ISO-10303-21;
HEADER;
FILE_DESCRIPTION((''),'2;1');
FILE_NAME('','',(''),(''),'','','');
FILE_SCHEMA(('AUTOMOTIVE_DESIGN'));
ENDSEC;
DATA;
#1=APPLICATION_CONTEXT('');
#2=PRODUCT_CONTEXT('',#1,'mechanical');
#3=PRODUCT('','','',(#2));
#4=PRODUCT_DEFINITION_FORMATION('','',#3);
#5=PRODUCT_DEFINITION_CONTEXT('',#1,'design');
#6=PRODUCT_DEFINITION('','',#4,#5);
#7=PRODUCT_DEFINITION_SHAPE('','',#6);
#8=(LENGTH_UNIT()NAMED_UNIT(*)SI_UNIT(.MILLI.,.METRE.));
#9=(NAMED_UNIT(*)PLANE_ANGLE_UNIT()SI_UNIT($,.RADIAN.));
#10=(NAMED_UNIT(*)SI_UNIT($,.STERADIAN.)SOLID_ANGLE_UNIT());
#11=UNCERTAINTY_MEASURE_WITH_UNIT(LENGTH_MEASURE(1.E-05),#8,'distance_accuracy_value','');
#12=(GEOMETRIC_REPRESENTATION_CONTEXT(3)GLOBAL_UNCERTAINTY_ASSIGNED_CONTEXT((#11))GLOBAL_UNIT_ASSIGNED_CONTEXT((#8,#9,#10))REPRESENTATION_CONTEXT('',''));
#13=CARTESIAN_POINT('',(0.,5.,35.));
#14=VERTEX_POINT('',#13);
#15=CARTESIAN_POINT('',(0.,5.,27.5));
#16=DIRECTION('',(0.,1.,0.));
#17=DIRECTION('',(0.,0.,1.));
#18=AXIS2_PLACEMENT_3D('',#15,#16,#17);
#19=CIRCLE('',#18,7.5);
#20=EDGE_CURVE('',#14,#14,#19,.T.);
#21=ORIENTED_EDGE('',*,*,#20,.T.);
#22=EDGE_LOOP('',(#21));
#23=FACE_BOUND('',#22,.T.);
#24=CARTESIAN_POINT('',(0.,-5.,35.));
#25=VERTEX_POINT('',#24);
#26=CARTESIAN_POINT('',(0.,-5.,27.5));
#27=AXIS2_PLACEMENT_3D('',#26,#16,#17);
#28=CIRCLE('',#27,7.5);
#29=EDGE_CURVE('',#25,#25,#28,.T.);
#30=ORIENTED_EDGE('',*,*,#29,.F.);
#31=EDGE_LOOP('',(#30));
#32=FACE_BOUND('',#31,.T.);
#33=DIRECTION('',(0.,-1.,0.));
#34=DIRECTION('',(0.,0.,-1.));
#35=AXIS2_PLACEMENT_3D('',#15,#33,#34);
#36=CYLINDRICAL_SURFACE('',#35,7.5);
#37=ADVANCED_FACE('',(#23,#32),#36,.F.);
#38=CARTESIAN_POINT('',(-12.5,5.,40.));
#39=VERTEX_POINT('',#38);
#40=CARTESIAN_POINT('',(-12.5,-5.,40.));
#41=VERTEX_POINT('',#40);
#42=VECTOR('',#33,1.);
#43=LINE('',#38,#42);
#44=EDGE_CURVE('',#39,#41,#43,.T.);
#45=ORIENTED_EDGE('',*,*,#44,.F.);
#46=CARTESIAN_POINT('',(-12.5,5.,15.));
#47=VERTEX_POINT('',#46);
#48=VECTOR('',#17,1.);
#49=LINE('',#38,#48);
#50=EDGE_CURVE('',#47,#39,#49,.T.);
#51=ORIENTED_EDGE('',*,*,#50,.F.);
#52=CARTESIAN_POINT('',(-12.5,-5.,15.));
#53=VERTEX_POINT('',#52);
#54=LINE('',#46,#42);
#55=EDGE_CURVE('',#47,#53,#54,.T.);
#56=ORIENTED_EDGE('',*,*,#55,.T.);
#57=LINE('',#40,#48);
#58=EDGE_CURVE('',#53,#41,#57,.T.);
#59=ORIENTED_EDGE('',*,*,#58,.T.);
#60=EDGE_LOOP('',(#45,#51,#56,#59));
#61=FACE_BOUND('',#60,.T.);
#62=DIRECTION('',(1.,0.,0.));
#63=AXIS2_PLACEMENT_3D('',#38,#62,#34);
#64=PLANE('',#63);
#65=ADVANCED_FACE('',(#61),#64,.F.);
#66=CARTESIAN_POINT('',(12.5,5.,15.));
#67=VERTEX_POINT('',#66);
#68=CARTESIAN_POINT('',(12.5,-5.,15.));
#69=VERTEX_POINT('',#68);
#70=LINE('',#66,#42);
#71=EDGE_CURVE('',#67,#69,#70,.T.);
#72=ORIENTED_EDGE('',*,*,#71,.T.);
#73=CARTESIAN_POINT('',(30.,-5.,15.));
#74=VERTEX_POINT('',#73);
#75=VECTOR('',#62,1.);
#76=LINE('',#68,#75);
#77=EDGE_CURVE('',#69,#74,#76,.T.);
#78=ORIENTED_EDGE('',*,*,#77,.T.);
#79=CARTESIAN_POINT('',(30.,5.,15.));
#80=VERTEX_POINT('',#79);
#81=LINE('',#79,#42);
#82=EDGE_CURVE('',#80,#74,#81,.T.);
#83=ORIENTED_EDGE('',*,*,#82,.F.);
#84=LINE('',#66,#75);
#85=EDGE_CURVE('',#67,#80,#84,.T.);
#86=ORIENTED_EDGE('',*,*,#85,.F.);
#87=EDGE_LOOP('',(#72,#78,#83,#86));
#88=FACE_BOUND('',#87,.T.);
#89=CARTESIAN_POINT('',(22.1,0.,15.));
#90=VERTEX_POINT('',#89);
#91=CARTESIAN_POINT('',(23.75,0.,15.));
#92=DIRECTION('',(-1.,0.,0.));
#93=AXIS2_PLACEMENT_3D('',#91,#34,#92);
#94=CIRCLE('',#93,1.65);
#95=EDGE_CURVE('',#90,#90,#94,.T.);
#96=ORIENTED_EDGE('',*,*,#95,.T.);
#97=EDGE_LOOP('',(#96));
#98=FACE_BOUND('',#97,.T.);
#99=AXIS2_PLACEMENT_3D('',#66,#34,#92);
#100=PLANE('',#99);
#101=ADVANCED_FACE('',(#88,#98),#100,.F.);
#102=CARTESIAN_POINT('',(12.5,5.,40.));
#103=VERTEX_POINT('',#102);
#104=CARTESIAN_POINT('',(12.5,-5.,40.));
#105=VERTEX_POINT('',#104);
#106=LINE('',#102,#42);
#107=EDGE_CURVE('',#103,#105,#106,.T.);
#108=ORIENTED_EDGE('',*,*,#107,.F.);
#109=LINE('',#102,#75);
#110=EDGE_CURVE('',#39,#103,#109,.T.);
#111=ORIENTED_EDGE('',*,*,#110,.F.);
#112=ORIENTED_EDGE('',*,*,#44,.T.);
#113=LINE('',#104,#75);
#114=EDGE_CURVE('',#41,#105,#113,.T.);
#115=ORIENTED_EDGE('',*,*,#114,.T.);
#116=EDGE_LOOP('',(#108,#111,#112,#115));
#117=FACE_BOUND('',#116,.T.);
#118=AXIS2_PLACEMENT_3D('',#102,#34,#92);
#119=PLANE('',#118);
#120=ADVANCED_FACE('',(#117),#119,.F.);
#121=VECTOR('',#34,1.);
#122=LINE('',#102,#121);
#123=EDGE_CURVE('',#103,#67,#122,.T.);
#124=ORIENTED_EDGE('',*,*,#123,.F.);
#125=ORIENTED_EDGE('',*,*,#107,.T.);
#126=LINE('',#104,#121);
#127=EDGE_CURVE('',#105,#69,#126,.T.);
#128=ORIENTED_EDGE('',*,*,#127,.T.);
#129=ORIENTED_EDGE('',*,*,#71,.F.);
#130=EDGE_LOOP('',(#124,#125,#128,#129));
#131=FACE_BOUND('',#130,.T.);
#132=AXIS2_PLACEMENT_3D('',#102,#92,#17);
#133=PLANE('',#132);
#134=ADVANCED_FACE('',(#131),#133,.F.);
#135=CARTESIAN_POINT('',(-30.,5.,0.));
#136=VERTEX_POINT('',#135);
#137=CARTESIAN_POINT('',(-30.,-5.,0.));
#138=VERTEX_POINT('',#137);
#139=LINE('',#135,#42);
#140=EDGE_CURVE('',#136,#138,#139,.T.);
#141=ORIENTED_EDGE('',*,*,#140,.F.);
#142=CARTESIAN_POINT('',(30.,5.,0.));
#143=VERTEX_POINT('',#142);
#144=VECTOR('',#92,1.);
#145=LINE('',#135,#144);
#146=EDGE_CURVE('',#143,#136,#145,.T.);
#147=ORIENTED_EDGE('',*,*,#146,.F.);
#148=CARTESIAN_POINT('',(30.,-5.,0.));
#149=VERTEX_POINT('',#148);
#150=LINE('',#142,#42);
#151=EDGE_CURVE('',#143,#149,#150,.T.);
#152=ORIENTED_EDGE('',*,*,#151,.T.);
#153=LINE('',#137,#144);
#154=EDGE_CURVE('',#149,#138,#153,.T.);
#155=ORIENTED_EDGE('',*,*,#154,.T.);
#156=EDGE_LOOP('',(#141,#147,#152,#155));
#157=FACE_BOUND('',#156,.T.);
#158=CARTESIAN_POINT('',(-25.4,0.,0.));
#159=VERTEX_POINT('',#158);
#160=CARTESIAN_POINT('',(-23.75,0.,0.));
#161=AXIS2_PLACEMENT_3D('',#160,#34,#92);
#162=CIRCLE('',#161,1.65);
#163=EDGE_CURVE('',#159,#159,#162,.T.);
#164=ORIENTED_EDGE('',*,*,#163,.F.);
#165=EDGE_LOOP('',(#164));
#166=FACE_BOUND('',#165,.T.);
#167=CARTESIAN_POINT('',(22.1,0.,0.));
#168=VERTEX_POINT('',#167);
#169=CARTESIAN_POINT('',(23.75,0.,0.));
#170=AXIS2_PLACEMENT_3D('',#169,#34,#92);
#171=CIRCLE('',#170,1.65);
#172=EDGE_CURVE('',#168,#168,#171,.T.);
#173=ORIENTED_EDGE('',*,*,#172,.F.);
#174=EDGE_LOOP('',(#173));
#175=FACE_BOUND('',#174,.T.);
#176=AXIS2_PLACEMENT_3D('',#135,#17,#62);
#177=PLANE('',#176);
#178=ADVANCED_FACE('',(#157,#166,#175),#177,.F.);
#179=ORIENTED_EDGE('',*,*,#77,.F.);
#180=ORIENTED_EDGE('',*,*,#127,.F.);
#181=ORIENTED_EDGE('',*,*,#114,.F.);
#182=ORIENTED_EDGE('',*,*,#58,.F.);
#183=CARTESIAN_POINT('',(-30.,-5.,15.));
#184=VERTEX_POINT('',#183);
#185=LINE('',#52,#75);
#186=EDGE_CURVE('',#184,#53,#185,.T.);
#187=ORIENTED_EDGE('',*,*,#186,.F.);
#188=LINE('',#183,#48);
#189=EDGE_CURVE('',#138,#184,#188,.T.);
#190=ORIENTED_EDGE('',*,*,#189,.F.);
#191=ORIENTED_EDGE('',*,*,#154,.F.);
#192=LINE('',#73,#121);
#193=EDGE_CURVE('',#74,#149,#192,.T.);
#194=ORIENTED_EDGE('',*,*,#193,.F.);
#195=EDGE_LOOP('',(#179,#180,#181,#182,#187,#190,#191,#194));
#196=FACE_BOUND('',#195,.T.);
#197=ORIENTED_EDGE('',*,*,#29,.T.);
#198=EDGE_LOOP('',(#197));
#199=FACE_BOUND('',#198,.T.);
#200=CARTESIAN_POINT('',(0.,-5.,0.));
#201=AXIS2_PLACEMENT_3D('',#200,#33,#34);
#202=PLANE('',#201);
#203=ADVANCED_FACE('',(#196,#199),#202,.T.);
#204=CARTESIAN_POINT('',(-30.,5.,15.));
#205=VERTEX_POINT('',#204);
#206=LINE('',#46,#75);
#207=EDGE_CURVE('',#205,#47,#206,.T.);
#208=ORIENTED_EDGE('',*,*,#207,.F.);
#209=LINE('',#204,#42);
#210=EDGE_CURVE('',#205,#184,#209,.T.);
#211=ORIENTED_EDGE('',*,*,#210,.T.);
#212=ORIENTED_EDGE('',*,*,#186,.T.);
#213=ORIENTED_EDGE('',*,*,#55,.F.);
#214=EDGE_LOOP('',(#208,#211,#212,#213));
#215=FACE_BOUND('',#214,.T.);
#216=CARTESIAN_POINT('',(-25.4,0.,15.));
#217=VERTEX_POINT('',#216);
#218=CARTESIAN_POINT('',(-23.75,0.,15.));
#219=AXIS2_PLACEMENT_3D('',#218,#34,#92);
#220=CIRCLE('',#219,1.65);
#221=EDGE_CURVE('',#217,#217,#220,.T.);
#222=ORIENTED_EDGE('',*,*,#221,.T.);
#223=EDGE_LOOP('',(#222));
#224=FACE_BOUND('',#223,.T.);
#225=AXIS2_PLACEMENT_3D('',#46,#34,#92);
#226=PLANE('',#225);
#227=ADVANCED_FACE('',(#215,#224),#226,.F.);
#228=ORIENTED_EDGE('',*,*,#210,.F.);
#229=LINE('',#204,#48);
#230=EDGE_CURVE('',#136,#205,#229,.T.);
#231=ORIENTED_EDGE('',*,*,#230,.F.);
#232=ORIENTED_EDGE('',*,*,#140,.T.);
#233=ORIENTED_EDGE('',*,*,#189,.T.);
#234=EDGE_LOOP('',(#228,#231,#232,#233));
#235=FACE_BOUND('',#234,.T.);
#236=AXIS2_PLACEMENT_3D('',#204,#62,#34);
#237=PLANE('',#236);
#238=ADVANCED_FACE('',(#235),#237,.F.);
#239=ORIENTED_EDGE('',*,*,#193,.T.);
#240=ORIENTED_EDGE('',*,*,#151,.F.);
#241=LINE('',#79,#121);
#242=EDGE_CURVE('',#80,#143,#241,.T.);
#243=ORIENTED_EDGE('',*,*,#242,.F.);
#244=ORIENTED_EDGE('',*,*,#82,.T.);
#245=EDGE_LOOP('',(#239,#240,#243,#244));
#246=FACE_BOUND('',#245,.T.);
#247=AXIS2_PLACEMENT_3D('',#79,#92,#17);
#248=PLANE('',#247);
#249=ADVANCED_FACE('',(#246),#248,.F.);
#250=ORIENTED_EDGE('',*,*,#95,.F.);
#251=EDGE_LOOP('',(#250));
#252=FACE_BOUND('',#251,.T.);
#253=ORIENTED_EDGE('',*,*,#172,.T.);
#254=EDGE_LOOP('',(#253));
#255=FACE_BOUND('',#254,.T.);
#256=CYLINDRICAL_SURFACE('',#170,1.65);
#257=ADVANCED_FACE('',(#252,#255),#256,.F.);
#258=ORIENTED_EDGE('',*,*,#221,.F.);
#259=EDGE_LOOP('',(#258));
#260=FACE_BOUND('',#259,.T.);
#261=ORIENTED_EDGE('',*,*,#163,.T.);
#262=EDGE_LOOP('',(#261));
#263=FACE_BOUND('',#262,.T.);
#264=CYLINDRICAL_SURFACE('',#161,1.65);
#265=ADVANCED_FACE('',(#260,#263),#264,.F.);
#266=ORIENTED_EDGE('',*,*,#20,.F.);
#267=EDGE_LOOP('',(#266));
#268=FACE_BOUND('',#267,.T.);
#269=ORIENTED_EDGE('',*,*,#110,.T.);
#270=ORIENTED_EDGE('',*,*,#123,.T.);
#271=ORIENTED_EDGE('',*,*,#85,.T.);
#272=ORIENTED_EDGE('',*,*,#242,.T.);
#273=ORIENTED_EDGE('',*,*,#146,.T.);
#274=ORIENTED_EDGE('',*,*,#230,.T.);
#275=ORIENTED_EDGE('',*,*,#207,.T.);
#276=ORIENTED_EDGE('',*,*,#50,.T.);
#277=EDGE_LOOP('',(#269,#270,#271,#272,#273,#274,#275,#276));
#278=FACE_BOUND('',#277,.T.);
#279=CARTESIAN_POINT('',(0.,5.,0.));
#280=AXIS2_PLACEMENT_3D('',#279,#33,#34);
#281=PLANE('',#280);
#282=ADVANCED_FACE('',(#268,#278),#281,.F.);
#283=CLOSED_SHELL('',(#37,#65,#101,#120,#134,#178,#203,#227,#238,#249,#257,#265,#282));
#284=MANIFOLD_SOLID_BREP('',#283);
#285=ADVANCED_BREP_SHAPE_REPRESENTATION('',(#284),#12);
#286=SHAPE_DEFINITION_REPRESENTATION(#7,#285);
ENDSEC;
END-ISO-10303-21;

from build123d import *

# Parameters (mm, degrees)
SKETCH_2_R         = 7.5
EXTRUDE_1_DEPTH    = 5
HOLE_WIZARD_M4_1_D = 3.3


with BuildPart() as part:
    # 草圖2 → 填料-伸長1 (new body, symmetric)
    with BuildSketch(Plane(origin=(0, 0, 0), x_dir=(1, 0, 0), z_dir=(0, 1, 0))):
        Polygon((-12.5, -40), (-12.5, -15), (-30, -15), (-30, 0), (30, 0), (30, -15), (12.5, -15), (12.5, -40), align=None)
        with Locations((0, -27.5)):
            Circle(SKETCH_2_R, mode=Mode.SUBTRACT)
    extrude(amount=EXTRUDE_1_DEPTH, both=True)

    # M4 螺紋孔1 (through all)
    with Locations(Plane(origin=(0, 0, 0), x_dir=(-1, 0, 0), z_dir=(0, 0, -1))):
        with Locations((-23.75, 0), (23.75, 0)):
            Hole(HOLE_WIZARD_M4_1_D / 2)


solid = part.part
